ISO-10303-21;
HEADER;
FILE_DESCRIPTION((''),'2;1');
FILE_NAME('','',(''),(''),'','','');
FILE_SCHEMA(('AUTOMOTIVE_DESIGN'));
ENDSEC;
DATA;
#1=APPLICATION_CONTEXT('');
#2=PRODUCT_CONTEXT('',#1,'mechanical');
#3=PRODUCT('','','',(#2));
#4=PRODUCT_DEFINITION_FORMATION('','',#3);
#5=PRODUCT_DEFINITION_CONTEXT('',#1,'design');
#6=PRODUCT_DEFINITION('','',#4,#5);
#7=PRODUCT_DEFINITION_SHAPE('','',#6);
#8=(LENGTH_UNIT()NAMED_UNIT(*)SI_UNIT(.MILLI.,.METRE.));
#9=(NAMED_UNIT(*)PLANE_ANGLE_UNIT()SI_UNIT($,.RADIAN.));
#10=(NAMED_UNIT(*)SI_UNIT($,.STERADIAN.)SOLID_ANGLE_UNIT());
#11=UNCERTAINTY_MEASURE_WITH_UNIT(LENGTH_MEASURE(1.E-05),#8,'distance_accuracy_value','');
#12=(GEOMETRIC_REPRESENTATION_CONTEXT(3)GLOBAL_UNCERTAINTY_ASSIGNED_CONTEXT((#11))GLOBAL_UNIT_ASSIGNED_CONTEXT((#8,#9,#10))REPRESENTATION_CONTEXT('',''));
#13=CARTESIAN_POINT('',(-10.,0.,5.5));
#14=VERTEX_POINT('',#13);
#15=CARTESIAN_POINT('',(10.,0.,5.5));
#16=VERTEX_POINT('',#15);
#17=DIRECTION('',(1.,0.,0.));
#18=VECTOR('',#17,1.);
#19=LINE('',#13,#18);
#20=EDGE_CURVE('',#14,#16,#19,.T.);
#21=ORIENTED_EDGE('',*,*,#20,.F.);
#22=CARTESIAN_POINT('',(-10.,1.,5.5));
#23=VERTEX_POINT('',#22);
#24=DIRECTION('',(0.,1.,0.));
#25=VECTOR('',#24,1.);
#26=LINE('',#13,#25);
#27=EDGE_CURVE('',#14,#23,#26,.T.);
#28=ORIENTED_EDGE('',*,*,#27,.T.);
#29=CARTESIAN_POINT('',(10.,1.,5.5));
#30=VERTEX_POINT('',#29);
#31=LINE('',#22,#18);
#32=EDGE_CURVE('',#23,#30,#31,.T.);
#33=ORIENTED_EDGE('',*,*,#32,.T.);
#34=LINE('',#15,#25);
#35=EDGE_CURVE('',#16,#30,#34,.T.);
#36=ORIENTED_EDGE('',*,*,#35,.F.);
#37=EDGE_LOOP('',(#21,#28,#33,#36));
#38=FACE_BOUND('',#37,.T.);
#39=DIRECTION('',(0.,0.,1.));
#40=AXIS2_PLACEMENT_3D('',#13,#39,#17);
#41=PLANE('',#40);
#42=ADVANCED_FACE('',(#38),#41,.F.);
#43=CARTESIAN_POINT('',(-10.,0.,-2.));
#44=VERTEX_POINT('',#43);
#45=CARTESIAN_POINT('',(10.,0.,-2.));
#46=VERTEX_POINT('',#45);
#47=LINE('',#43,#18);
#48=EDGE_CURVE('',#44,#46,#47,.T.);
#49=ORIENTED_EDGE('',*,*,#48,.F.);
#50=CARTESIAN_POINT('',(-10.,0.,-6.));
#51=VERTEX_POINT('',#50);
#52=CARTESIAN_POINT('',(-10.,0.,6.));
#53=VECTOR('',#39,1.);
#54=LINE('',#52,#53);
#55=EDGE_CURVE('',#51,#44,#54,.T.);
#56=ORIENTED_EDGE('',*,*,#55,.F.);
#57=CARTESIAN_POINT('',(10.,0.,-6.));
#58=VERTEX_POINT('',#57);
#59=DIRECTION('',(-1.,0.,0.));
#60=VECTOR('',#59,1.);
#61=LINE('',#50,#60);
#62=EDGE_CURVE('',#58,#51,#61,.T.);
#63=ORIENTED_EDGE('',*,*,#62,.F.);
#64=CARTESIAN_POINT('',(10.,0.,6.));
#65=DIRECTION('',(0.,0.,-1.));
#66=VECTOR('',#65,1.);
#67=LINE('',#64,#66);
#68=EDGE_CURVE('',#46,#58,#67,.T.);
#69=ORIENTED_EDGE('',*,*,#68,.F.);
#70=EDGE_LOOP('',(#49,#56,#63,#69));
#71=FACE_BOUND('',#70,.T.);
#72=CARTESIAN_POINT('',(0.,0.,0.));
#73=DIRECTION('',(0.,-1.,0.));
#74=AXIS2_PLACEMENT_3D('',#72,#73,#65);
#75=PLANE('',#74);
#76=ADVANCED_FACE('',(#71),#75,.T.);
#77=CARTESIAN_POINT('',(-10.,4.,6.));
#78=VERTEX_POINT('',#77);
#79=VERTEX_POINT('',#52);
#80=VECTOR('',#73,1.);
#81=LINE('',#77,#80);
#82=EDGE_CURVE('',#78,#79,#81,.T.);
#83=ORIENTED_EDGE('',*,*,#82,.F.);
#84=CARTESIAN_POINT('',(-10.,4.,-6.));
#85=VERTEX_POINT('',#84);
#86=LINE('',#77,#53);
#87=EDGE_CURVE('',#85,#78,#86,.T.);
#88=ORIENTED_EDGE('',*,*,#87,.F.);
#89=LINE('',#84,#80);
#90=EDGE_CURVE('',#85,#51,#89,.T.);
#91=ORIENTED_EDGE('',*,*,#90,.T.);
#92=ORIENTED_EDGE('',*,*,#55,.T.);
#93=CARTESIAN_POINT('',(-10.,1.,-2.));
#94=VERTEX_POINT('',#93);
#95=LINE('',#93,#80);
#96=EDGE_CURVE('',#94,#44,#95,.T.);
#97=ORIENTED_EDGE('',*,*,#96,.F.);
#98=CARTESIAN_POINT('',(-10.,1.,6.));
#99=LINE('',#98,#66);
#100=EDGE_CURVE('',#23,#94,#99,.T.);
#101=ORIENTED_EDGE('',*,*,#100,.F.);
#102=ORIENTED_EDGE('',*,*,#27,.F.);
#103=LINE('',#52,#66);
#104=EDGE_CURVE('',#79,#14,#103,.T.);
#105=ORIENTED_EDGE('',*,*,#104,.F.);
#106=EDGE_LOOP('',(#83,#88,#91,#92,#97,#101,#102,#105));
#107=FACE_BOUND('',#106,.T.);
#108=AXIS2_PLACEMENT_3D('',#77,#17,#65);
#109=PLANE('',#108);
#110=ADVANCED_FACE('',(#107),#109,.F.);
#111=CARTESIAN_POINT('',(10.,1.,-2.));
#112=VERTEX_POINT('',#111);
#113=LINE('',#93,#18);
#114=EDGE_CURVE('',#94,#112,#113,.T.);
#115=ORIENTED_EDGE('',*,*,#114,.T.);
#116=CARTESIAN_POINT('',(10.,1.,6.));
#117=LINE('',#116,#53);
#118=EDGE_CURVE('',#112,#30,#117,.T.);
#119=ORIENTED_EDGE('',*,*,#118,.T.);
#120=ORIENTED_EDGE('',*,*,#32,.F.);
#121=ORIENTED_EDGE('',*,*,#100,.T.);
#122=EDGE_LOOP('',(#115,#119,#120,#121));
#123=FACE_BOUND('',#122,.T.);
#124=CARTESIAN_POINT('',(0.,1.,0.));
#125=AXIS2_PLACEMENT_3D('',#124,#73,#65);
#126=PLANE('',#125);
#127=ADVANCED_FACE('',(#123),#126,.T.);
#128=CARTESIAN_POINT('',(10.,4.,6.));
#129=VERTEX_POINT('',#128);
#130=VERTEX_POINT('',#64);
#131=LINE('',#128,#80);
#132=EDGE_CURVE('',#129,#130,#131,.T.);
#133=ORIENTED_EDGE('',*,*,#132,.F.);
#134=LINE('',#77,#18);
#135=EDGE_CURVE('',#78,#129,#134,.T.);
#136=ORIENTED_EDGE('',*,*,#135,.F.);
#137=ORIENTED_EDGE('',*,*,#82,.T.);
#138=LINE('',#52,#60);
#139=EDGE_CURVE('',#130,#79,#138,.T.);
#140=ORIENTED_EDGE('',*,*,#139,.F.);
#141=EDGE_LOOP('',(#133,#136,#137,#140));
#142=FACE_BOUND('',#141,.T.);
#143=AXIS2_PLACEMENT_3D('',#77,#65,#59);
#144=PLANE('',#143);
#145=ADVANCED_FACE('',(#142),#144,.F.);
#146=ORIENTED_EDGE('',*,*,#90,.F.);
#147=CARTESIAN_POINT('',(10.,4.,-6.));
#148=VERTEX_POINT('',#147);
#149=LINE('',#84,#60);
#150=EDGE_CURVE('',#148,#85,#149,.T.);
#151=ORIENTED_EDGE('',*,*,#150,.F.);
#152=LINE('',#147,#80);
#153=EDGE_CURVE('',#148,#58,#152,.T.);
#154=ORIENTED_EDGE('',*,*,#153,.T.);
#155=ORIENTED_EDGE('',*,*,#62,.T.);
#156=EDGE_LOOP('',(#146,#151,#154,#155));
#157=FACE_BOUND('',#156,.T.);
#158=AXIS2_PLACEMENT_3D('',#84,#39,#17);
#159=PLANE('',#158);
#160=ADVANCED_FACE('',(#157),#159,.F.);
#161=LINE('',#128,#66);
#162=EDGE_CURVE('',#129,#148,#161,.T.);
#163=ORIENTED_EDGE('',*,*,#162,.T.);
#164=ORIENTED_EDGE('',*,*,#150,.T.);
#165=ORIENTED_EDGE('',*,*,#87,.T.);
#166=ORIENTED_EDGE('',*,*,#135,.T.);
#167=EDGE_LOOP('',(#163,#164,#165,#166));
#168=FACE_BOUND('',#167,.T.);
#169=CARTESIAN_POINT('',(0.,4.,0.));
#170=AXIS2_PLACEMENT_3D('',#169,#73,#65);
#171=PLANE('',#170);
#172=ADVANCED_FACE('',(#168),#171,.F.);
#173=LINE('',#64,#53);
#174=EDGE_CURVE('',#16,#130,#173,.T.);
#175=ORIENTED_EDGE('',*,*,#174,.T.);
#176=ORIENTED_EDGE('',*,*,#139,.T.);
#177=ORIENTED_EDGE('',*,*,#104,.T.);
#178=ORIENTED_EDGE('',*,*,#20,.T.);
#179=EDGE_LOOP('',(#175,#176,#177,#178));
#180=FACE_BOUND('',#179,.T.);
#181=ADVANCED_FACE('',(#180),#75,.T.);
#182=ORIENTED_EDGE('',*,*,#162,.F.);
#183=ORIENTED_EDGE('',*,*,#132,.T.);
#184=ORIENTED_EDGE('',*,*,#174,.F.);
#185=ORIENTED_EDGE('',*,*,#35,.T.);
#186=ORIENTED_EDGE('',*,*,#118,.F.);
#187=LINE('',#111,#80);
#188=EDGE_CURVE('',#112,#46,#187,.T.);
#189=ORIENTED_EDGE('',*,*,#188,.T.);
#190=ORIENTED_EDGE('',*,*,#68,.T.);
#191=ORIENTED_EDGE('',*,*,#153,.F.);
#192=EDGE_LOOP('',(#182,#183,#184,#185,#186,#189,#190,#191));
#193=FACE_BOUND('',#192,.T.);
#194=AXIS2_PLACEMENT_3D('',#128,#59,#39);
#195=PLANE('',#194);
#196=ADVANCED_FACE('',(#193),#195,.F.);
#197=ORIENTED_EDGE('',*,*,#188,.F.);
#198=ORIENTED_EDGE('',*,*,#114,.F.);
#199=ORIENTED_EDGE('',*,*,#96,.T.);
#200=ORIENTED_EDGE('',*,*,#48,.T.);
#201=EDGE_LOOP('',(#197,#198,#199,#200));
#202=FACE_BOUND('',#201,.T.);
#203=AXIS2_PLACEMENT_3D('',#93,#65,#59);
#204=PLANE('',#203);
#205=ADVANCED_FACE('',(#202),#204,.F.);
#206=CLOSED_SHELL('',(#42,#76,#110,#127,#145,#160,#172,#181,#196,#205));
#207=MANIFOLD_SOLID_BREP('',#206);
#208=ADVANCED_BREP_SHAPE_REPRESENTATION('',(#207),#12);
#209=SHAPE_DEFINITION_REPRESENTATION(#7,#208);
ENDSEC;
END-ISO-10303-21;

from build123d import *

# Parameters (mm, degrees)
SKETCH2_W           = 20
SKETCH2_H           = 12
BOSS_EXTRUDE1_DEPTH = 4
SKETCH3_W           = 20
SKETCH3_H           = 8
CUT_EXTRUDE1_DEPTH  = 1
SKETCH4_W           = 20
SKETCH4_H           = 0.5
BOSS_EXTRUDE2_DEPTH = 1


with BuildPart() as part:
    # Sketch2 → Boss-Extrude1 (new body)
    with BuildSketch(Plane(origin=(0, 0, 0), x_dir=(1, 0, 0), z_dir=(0, 1, 0))):
        Rectangle(SKETCH2_W, SKETCH2_H)
    extrude(amount=BOSS_EXTRUDE1_DEPTH)

    # Sketch3 → Cut-Extrude1 (cut)
    with BuildSketch(Plane.XZ):
        with Locations((0, 2)):
            Rectangle(SKETCH3_W, SKETCH3_H)
    extrude(amount=-CUT_EXTRUDE1_DEPTH, mode=Mode.SUBTRACT)

    # Sketch4 → Boss-Extrude2 (add)
    with BuildSketch(Plane.XZ.offset(-1)):
        with Locations((0, 5.75)):
            Rectangle(SKETCH4_W, SKETCH4_H)
    extrude(amount=BOSS_EXTRUDE2_DEPTH)


solid = part.part
